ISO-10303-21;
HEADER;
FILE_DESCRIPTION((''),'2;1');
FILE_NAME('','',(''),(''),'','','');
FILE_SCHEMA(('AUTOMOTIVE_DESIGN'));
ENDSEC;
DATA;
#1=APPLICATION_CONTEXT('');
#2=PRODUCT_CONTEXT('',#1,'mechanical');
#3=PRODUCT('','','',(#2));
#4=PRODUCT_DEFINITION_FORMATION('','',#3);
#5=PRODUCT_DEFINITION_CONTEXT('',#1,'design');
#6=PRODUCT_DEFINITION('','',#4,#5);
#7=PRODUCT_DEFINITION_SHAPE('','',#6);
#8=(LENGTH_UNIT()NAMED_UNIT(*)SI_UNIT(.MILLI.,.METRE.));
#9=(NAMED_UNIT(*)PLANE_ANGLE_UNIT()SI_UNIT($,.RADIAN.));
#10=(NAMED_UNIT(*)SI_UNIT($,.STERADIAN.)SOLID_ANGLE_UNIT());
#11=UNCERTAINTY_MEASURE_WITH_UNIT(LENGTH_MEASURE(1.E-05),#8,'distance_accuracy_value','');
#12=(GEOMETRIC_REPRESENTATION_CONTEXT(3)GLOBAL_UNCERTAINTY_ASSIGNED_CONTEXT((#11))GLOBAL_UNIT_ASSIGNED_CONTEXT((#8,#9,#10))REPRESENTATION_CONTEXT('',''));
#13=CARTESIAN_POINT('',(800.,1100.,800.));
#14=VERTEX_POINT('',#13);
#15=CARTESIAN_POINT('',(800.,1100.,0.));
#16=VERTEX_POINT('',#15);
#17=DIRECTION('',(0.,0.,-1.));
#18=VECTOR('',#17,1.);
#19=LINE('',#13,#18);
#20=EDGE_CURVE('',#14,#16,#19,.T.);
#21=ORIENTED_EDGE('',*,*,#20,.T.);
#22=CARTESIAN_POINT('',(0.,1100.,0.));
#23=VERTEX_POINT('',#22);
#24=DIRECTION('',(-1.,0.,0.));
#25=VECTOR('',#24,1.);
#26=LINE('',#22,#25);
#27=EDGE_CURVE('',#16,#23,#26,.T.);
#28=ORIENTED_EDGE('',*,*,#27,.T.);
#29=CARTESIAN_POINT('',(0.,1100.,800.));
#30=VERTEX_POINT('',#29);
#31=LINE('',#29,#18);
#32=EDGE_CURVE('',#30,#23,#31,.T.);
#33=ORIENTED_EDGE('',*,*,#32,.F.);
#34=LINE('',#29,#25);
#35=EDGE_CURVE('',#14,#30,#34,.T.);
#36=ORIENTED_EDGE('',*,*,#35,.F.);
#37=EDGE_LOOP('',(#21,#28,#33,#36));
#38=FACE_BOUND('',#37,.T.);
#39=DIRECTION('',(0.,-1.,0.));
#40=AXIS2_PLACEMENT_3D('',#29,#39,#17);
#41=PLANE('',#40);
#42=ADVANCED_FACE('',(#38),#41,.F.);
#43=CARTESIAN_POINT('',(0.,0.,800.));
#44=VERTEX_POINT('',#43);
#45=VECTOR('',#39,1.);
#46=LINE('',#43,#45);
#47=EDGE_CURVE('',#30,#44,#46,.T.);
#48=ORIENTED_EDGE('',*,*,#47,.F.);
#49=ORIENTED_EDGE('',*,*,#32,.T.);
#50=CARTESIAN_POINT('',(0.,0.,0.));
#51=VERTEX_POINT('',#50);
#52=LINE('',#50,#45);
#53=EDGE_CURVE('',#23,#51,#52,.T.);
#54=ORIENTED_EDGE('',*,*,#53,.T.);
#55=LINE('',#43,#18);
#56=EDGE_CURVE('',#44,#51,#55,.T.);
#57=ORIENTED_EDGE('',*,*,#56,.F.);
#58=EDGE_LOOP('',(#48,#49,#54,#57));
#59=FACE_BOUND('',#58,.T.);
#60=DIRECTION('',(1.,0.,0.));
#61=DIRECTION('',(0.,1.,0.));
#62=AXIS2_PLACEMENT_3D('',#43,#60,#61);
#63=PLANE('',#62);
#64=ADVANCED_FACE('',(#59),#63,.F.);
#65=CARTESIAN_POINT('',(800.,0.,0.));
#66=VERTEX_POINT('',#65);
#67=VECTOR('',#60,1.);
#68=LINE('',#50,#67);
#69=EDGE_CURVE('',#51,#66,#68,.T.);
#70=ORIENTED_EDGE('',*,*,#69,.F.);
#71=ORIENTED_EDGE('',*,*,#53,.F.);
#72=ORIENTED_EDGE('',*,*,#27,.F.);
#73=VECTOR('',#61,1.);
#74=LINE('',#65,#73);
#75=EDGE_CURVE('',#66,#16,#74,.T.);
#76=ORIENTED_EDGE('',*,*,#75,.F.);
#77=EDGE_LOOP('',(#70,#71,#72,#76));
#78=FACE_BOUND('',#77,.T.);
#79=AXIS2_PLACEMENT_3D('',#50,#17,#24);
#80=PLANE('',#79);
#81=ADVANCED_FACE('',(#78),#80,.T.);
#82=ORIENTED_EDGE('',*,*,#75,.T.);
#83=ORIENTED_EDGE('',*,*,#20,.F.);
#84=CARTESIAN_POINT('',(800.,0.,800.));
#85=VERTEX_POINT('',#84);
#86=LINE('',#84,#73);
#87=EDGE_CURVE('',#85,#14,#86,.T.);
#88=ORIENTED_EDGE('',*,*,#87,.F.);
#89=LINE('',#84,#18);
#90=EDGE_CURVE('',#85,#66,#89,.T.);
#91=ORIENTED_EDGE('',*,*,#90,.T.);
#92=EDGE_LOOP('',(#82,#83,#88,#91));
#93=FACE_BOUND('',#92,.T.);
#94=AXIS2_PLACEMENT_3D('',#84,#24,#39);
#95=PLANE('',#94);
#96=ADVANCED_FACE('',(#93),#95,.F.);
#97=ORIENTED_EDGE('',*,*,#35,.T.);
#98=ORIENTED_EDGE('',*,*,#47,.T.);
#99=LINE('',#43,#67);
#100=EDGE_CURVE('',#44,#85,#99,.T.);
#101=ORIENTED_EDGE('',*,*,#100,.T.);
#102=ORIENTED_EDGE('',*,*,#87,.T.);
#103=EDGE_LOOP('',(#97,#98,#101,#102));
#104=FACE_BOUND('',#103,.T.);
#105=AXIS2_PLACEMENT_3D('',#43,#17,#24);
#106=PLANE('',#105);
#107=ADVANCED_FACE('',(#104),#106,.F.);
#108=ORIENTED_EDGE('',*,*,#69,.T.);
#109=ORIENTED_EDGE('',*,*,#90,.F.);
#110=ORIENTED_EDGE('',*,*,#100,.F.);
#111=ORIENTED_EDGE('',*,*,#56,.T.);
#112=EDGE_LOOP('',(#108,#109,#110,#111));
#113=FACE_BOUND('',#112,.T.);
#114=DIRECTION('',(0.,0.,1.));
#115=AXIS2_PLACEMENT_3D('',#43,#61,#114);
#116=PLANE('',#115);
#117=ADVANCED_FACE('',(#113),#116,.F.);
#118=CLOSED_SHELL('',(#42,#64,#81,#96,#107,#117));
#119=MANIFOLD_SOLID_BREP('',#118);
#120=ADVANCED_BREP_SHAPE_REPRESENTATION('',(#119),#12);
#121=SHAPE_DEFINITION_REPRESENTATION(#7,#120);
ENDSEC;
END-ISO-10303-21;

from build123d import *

# Parameters (mm, degrees)
CROQUIS1_W              = 800
CROQUIS1_H              = 1100
SALIENTE_EXTRUIR1_DEPTH = 800


with BuildPart() as part:
    # Croquis1 → Saliente-Extruir1 (new body)
    with BuildSketch(Plane.XY):
        with Locations((400, 550)):
            Rectangle(CROQUIS1_W, CROQUIS1_H)
    extrude(amount=SALIENTE_EXTRUIR1_DEPTH)


solid = part.part
